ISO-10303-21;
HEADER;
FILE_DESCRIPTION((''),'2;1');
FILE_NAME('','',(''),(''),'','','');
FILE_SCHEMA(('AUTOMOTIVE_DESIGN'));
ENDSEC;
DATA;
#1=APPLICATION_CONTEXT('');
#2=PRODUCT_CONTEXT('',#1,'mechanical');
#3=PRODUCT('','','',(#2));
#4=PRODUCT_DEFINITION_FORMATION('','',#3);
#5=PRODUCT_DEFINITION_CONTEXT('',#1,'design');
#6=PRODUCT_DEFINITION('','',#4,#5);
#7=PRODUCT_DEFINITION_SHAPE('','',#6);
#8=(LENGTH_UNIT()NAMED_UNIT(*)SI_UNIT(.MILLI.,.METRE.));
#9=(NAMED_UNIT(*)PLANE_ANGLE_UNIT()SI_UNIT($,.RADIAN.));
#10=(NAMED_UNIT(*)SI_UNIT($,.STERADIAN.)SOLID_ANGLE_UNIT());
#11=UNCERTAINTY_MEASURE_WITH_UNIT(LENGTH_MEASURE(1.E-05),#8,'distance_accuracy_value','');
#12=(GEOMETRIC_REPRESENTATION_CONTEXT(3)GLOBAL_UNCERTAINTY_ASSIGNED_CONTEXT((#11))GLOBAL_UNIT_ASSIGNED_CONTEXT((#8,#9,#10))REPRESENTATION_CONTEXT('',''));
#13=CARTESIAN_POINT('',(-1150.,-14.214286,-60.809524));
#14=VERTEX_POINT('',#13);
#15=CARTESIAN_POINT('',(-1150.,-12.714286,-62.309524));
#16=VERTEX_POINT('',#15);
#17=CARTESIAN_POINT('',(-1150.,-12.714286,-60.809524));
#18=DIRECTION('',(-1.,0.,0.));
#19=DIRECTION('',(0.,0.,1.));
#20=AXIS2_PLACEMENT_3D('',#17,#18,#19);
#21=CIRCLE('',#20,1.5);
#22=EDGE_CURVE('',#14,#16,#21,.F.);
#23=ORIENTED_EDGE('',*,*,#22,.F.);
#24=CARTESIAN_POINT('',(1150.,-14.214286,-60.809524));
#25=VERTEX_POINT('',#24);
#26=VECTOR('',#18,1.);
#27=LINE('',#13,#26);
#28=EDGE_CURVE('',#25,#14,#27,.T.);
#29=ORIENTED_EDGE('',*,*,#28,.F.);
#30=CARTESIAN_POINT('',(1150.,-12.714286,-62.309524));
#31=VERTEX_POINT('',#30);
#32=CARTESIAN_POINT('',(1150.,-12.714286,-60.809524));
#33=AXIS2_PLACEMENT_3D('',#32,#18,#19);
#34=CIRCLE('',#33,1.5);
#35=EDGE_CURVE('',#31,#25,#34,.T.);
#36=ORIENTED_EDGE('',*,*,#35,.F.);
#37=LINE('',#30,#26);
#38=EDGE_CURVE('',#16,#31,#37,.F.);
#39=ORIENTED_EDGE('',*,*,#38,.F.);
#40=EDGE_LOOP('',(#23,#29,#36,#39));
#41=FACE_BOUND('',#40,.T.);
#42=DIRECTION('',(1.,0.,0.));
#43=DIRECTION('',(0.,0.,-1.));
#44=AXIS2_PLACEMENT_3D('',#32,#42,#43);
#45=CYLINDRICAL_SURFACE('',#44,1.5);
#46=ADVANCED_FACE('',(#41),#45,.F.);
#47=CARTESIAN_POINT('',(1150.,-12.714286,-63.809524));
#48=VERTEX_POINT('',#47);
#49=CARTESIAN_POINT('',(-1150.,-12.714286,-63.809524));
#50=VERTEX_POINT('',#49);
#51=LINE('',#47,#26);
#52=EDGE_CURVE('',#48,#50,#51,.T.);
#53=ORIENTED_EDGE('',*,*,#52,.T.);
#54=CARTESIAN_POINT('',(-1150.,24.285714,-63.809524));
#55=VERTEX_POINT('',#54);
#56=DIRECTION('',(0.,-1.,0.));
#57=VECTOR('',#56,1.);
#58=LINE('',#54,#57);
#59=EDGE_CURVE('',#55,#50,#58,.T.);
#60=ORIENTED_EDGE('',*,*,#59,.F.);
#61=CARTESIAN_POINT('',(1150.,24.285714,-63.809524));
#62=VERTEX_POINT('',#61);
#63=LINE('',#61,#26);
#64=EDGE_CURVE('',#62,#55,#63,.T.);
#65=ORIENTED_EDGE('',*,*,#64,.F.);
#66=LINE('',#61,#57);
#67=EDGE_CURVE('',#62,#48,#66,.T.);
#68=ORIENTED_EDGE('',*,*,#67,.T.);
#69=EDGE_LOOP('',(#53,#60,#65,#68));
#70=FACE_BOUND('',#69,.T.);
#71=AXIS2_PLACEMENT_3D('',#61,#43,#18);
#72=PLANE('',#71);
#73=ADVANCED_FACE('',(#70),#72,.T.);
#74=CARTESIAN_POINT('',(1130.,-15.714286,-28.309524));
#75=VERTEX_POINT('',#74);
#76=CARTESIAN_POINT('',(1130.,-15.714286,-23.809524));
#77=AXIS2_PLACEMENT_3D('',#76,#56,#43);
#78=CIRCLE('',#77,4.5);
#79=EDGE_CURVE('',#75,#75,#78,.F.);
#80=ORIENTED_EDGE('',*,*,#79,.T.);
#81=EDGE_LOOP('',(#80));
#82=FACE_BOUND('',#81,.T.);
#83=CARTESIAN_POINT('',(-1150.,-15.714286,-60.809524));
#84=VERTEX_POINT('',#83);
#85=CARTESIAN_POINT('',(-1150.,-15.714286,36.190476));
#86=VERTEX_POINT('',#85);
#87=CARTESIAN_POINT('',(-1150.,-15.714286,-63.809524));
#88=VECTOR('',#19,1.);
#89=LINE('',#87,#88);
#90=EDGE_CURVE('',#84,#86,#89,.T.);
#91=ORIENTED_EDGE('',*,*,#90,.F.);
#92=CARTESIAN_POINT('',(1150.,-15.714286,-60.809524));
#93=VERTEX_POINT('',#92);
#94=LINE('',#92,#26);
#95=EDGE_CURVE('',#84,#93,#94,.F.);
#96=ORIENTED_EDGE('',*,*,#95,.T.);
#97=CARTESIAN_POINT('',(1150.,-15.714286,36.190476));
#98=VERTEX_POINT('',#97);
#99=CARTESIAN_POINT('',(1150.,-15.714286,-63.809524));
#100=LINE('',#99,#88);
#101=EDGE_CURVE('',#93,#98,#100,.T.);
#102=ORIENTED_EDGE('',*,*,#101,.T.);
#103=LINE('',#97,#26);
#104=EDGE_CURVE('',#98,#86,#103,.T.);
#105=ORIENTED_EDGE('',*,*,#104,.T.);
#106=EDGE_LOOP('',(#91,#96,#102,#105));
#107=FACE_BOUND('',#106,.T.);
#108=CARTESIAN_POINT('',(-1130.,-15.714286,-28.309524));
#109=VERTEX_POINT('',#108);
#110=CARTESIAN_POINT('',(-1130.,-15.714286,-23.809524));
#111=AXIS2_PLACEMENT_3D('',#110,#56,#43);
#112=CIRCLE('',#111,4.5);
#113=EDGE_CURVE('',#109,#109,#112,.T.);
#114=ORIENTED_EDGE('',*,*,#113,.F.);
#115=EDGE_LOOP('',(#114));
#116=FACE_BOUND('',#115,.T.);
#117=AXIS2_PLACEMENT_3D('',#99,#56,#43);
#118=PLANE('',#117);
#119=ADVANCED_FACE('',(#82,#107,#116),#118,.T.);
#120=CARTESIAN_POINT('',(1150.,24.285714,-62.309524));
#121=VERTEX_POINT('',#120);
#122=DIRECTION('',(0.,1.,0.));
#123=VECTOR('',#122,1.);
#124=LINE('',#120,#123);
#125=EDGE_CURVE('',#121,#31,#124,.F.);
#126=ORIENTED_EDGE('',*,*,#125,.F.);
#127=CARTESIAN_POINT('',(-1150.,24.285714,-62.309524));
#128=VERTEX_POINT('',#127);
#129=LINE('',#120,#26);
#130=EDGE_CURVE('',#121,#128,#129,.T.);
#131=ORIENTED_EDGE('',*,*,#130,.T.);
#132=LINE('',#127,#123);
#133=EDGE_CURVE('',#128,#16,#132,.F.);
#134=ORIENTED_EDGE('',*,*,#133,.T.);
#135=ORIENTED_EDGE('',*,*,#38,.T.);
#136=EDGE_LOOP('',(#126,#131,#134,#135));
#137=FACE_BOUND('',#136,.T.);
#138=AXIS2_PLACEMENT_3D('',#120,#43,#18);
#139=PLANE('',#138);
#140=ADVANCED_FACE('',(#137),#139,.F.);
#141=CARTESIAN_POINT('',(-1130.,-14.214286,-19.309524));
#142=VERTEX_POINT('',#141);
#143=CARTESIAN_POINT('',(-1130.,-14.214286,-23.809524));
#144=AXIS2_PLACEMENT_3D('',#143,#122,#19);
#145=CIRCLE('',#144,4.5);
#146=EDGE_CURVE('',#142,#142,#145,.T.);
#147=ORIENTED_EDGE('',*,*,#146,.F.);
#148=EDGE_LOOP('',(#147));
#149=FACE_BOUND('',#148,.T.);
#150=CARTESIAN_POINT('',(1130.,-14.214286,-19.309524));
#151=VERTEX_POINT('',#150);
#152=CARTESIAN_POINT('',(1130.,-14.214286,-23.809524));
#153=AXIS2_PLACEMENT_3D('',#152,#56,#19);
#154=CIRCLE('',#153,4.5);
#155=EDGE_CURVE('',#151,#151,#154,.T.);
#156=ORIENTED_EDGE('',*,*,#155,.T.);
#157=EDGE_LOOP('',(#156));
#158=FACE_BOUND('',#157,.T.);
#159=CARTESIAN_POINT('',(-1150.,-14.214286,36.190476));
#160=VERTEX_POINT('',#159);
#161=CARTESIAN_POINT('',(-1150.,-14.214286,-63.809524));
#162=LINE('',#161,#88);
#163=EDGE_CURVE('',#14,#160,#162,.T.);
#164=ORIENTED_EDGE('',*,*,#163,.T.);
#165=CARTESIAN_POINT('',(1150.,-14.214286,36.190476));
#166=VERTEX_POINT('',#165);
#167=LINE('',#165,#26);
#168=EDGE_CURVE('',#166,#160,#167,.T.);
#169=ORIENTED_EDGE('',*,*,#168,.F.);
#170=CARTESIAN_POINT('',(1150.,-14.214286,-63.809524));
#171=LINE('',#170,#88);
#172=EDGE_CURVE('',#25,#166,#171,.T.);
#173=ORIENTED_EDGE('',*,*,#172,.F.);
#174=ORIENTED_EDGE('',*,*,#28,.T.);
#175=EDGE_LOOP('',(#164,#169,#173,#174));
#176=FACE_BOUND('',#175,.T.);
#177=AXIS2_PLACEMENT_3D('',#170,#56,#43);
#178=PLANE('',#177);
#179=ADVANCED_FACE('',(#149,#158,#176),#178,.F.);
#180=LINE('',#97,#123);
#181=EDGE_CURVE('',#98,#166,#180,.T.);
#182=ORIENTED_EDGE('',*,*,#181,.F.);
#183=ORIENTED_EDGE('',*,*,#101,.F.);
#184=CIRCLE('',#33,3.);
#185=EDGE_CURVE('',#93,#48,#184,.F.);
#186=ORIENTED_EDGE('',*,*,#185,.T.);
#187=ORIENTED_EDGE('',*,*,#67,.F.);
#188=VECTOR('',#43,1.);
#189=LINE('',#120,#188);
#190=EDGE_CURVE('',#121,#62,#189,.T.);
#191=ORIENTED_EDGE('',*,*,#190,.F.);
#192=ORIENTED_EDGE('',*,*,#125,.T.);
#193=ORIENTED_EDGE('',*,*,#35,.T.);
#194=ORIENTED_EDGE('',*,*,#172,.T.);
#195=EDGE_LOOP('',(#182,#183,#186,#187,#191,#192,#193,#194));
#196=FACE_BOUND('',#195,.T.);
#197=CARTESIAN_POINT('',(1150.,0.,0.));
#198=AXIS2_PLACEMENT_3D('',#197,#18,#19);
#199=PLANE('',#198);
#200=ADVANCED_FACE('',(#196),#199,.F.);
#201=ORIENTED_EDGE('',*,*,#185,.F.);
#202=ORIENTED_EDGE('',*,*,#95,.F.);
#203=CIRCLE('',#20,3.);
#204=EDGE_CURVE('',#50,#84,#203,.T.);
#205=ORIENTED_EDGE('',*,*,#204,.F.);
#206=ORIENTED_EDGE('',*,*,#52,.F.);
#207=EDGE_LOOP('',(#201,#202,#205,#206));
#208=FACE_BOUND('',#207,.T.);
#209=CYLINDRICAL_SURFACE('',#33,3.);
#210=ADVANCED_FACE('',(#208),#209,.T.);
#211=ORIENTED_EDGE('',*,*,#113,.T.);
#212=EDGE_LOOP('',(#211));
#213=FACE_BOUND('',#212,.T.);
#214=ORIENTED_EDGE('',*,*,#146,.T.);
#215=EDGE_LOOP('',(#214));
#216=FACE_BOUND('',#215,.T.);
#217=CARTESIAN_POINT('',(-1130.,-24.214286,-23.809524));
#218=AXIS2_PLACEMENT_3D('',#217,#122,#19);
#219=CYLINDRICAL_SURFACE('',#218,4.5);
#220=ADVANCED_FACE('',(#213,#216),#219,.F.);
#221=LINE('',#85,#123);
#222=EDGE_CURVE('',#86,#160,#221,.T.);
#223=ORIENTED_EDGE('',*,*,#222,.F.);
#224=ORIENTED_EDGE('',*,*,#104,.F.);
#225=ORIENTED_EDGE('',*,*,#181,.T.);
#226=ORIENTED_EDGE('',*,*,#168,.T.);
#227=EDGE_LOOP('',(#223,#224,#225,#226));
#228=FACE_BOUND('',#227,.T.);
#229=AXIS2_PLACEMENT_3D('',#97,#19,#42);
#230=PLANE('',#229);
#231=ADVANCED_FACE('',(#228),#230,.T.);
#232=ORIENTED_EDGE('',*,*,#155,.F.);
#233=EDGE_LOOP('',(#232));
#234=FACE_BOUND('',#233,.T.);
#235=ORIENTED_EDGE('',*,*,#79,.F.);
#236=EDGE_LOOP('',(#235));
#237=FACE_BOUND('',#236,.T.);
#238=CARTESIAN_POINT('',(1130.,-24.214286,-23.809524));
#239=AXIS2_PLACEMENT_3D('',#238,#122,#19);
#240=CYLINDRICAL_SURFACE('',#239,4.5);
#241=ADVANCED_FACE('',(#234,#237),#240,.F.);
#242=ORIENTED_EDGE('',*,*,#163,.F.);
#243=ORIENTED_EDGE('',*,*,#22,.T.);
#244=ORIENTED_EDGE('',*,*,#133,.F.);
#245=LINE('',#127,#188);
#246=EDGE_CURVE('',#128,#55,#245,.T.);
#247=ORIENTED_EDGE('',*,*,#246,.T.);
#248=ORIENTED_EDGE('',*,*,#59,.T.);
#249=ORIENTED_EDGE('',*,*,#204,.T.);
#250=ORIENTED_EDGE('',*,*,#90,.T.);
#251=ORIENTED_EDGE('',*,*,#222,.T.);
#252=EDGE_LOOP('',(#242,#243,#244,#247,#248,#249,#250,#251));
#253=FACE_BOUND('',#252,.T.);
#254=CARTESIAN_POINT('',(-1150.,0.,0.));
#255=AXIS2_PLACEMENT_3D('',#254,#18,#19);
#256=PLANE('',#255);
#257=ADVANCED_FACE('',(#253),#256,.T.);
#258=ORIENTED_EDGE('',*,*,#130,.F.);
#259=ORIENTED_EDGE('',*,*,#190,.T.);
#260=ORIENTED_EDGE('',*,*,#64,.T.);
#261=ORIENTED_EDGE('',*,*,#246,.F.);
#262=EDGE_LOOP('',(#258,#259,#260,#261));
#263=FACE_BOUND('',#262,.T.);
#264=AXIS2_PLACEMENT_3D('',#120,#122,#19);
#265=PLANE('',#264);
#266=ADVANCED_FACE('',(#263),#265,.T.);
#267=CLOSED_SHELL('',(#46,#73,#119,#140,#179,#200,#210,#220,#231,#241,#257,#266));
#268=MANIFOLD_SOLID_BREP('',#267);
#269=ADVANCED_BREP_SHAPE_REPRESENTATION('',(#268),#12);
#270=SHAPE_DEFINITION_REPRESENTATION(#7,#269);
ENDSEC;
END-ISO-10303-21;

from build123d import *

# Parameters (mm, degrees)
EXTRUDE_THIN1_DEPTH = 1150
FILLET1_R           = 1.5
FILLET2_R           = 3
SKETCH2_R           = 4.5
CUT_EXTRUDE1_DEPTH  = 10


with BuildPart() as part:
    # Sketch1 → Extrude-Thin1 (new, symmetric)
    with BuildSketch(Plane(origin=(0, 0, 0), x_dir=(0, 0, -1), z_dir=(1, 0, 0))):
        Polygon((63.80952381, 24.285714286), (63.80952381, -15.714285714), (-36.19047619, -15.714285714), (-36.19047619, -14.214285714), (62.30952381, -14.214285714), (62.30952381, 24.285714286), align=None)
    extrude(amount=EXTRUDE_THIN1_DEPTH, both=True)

    # Fillet1
    fillet1_edges = [part.edges().sort_by_distance(p)[0] for p in [
        (0, -14.214285714, -62.30952381),
    ]]
    fillet(fillet1_edges, radius=FILLET1_R)

    # Fillet2
    fillet2_edges = [part.edges().sort_by_distance(p)[0] for p in [
        (0, -15.714285714, -63.80952381),
    ]]
    fillet(fillet2_edges, radius=FILLET2_R)

    # Sketch2 → Cut-Extrude1 (cut)
    with BuildSketch(Plane(origin=(0, -14.214285714, 0), x_dir=(1, 0, 0), z_dir=(0, 1, 0))):
        with Locations(Location((-1130, 23.80952381, 0), (0, 0, 270))):
            Circle(SKETCH2_R)
    cut_extrude1 = extrude(amount=-CUT_EXTRUDE1_DEPTH, mode=Mode.SUBTRACT)

    # Mirror1: Cut-Extrude1 across plane
    add(cut_extrude1.mirror(Plane(origin=(0, 0, 0), x_dir=(0, 0, 1), z_dir=(1, 0, 0))), mode=Mode.SUBTRACT)


solid = part.part
